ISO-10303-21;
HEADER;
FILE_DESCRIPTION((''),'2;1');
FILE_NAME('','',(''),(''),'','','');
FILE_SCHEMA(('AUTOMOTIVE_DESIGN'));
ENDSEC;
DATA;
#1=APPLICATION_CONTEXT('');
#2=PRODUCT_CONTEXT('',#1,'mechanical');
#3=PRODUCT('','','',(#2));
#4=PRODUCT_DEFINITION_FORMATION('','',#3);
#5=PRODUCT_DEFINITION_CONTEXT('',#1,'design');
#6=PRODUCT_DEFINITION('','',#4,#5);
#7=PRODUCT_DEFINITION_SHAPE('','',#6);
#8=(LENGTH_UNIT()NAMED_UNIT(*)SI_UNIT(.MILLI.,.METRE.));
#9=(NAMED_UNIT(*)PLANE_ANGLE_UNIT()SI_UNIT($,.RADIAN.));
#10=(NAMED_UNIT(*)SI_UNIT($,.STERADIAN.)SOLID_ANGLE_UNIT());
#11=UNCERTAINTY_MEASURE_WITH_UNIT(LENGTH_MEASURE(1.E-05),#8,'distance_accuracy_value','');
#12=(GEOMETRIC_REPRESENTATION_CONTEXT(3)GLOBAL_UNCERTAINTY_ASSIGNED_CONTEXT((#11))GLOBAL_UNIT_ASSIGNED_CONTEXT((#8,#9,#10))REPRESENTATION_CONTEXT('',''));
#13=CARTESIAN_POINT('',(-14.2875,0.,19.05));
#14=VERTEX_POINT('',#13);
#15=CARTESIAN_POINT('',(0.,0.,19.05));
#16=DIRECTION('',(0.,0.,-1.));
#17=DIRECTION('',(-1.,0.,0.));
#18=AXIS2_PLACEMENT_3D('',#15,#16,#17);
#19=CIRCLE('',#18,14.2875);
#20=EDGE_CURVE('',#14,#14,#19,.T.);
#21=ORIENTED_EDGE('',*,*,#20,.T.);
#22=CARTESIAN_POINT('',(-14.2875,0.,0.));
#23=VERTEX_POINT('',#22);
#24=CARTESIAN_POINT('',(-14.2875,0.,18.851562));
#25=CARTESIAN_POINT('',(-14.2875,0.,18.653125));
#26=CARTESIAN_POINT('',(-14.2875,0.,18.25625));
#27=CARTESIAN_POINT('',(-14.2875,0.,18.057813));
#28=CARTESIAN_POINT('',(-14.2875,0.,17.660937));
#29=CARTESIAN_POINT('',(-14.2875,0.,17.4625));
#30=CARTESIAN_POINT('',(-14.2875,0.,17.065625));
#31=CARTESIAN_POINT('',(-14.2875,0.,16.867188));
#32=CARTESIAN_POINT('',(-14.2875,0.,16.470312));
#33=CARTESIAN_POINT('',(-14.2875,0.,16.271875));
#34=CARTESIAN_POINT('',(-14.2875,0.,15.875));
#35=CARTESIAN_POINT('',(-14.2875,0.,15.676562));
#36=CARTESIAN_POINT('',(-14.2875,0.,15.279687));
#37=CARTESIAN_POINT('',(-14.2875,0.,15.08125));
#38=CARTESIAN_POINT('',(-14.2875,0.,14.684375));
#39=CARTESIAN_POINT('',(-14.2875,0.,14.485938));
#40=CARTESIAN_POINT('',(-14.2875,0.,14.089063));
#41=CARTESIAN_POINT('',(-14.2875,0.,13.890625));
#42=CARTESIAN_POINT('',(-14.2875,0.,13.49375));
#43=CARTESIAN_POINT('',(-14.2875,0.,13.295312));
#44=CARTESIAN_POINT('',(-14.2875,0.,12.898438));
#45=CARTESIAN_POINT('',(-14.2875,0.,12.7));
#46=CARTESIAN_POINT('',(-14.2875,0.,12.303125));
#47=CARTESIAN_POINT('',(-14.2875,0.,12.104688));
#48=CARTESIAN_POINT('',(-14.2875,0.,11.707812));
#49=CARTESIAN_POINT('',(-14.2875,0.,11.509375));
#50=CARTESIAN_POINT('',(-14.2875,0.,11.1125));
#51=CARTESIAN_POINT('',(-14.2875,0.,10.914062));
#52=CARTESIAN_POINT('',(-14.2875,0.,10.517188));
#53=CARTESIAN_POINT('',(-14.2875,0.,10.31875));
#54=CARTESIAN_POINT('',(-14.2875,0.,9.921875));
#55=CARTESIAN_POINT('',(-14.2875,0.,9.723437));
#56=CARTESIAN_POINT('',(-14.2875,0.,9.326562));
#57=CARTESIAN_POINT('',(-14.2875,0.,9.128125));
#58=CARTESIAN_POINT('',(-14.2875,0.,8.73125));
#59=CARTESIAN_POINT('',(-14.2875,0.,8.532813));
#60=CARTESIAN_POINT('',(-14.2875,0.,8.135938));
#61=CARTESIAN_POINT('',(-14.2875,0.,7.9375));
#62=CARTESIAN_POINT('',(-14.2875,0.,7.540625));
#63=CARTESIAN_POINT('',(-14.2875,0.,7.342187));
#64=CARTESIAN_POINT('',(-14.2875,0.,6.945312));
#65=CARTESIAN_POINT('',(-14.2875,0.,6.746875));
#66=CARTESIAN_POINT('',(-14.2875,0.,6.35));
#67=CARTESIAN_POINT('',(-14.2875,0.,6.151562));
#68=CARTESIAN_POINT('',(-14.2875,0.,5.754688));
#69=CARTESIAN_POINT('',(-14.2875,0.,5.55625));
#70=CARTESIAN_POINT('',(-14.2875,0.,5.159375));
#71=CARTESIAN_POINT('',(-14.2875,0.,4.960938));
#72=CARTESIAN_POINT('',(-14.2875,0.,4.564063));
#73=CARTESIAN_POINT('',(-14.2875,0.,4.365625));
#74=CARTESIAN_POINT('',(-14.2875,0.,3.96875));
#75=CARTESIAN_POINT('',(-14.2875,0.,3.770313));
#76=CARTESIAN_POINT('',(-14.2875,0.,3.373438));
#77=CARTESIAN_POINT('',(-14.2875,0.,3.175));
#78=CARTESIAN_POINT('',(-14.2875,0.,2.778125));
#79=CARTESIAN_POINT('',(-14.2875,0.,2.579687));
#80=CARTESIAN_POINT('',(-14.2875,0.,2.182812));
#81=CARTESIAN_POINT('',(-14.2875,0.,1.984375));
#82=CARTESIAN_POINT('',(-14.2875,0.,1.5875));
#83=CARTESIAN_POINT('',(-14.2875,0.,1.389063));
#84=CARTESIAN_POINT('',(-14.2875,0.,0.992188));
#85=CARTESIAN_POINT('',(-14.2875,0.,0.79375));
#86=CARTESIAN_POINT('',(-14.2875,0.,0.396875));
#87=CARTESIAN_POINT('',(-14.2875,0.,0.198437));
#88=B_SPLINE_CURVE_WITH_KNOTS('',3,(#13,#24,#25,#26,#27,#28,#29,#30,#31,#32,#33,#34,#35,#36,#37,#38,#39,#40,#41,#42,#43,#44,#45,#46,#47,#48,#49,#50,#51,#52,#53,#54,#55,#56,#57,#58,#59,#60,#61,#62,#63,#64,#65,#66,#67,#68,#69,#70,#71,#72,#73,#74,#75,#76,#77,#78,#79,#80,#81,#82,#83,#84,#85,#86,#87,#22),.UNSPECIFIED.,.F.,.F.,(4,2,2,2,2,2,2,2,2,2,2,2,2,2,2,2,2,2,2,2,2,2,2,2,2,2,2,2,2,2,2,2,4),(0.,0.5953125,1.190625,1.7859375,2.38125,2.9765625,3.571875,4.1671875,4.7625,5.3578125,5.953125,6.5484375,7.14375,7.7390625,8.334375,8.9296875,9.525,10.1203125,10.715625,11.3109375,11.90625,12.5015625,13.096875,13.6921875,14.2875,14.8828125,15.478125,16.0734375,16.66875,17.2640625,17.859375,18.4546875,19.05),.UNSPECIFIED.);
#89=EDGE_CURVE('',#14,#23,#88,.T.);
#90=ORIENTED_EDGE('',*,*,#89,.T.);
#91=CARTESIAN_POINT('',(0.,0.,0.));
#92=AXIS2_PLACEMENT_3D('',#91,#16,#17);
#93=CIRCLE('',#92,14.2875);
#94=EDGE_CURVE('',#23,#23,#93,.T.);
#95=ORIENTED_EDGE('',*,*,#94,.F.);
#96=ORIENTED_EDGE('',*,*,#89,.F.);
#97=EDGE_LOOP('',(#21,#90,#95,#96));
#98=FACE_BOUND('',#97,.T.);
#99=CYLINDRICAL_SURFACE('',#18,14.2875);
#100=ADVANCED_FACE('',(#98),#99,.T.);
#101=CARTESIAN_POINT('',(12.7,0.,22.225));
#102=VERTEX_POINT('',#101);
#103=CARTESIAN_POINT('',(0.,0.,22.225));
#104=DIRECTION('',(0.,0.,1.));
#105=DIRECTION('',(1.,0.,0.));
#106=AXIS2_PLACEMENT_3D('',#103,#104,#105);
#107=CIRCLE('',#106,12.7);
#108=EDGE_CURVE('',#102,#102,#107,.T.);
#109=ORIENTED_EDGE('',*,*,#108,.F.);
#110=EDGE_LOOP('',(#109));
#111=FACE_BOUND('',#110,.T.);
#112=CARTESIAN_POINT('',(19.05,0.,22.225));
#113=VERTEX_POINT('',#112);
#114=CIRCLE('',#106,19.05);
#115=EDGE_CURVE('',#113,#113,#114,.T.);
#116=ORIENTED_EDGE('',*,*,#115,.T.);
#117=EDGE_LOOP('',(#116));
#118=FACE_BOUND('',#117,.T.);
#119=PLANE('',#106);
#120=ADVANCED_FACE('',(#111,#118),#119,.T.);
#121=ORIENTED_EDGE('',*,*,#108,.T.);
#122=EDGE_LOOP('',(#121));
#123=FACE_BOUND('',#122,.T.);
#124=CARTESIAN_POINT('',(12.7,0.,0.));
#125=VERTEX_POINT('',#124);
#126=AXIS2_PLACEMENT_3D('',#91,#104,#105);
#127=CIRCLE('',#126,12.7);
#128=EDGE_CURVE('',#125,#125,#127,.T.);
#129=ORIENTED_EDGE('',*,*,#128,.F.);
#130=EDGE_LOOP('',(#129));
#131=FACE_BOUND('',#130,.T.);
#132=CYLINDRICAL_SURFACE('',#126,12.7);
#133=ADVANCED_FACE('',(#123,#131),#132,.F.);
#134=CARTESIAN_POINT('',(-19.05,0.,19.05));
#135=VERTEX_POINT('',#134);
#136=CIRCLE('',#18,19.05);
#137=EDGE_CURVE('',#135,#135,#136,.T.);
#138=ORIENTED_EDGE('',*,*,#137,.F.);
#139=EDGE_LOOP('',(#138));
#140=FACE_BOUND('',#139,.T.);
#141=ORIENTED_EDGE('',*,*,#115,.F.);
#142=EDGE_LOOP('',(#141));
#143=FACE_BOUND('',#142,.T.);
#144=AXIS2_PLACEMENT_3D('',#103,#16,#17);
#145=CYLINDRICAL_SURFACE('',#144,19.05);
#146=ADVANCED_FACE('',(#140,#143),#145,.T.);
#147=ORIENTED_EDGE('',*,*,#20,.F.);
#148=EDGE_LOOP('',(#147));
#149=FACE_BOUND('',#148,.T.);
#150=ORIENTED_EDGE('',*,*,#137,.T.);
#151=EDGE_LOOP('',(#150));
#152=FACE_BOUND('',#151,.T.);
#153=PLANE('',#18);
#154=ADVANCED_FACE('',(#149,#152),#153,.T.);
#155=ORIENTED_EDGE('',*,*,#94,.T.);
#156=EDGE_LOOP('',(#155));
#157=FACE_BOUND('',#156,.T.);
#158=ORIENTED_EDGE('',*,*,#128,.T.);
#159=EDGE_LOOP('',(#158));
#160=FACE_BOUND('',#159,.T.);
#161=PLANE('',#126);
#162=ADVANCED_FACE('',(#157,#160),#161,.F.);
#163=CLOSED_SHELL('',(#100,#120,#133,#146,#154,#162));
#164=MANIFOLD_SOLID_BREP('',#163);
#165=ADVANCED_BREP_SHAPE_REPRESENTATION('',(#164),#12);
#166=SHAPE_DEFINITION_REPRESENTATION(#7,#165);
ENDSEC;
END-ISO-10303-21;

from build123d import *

# Parameters (mm, degrees)
SKETCH1_R           = 19.05
BOSS_EXTRUDE1_DEPTH = 22.225
SKETCH2_R           = 19.05
SKETCH2_R_2         = 14.2875
CUT_EXTRUDE1_DEPTH  = 19.05
SKETCH3_R           = 12.7
CUT_EXTRUDE2_DEPTH  = 35.925


with BuildPart() as part:
    # Sketch1 → Boss-Extrude1 (new body)
    with BuildSketch(Plane.XY):
        Circle(SKETCH1_R)
    extrude(amount=BOSS_EXTRUDE1_DEPTH)

    # Sketch2 → Cut-Extrude1 (cut)
    with BuildSketch(Plane(origin=(0, 0, 0), x_dir=(-1, 0, 0), z_dir=(0, 0, -1))):
        Circle(SKETCH2_R)
        Circle(SKETCH2_R_2, mode=Mode.SUBTRACT)
    extrude(amount=-CUT_EXTRUDE1_DEPTH, mode=Mode.SUBTRACT)

    # Sketch3 → Cut-Extrude2 (cut, through all)
    with BuildSketch(Plane.XY.offset(22.225)):
        Circle(SKETCH3_R)
    extrude(amount=-CUT_EXTRUDE2_DEPTH, mode=Mode.SUBTRACT)


solid = part.part
